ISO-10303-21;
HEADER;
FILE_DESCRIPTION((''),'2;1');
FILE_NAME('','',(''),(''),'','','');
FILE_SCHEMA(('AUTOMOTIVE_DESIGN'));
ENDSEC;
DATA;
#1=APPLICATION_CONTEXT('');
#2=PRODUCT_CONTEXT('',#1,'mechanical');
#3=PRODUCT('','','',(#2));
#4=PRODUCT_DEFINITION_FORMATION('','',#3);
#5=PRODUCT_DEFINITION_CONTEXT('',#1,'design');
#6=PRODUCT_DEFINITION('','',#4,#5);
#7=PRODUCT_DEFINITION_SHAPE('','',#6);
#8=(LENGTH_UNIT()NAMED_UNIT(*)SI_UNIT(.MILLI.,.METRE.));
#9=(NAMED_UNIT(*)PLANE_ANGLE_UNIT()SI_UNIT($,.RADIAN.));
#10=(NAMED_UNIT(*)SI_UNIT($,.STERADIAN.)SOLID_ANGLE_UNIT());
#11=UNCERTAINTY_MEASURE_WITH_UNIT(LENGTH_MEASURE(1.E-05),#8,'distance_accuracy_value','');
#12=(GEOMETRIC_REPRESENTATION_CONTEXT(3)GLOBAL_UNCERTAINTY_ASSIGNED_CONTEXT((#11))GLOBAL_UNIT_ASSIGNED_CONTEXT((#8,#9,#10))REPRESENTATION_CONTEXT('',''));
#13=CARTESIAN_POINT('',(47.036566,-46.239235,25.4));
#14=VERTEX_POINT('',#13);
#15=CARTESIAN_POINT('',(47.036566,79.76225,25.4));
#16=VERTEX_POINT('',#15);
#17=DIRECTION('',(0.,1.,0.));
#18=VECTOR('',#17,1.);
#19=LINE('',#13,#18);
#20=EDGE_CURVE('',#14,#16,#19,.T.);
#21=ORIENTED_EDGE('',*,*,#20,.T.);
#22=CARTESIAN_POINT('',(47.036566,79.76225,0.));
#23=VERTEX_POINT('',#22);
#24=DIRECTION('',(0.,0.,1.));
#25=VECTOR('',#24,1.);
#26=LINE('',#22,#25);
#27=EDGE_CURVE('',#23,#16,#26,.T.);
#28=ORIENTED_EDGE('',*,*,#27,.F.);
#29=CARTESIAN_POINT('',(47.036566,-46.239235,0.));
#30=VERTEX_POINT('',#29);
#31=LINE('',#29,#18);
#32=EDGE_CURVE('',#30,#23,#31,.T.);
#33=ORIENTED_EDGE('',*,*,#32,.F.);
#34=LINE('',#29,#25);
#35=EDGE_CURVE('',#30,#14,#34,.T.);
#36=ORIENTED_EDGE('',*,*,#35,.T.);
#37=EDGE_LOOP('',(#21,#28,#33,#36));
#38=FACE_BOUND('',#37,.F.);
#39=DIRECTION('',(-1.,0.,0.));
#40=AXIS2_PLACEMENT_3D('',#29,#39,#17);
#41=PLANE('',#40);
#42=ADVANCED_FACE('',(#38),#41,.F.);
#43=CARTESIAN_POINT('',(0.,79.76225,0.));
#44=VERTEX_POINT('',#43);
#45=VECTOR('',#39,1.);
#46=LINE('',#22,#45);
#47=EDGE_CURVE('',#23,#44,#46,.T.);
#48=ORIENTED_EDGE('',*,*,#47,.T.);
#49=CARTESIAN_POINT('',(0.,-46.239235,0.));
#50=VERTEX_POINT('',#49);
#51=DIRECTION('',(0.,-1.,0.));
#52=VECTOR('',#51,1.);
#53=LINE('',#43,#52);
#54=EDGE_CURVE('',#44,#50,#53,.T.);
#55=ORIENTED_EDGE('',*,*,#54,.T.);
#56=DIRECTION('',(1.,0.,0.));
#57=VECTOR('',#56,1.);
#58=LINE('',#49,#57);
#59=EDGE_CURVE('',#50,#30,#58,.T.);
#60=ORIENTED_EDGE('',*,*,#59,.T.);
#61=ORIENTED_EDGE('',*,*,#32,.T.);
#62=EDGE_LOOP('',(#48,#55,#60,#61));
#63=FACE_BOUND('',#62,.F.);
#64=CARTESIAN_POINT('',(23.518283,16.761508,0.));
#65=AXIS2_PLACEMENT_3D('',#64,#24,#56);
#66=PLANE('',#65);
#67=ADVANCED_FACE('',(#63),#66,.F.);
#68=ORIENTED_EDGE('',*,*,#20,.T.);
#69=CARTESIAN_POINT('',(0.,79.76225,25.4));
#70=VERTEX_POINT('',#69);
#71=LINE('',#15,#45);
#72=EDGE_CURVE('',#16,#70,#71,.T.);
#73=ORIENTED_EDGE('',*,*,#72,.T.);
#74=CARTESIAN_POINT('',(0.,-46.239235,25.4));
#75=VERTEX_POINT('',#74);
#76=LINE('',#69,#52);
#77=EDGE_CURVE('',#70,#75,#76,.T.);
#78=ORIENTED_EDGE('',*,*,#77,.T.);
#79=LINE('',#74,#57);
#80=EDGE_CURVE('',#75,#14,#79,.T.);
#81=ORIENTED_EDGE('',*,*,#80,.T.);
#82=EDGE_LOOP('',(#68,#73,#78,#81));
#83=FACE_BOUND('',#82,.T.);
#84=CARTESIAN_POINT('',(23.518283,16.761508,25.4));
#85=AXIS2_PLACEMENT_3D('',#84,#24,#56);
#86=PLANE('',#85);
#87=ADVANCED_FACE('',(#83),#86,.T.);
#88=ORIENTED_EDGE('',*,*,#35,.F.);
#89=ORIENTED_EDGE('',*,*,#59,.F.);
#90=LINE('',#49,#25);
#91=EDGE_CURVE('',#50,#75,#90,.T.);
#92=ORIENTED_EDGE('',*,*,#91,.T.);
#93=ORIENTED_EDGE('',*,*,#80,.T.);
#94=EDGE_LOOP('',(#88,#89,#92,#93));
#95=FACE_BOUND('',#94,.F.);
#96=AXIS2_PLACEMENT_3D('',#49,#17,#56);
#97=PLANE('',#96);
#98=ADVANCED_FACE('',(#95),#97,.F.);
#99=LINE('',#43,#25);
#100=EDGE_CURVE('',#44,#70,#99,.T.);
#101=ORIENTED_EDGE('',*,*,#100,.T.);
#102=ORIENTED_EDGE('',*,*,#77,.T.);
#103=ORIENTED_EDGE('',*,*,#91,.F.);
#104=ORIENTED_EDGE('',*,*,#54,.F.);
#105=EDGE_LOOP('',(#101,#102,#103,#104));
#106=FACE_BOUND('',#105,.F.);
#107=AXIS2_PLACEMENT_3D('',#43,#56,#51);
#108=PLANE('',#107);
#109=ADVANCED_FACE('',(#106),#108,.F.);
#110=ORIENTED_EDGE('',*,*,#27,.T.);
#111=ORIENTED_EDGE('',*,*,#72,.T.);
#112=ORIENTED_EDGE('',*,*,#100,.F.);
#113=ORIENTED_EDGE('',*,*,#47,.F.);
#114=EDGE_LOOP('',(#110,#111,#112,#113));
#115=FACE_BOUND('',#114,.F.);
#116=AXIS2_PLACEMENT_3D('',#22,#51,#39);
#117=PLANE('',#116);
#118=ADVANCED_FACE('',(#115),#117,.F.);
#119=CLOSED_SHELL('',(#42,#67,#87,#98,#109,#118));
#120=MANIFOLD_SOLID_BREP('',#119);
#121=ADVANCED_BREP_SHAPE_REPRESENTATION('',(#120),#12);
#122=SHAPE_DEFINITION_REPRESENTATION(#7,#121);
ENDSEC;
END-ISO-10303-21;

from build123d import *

# Parameters (mm, degrees)
F3_DEPTH = 25.4


with BuildPart() as f3:
    # F2 (on face) → F3 (new body)
    with BuildSketch(Plane.XY):
        Polygon((47.036566, 79.76225), (0, 79.76225), (0, -46.239235), (47.036566, -46.239235), (47.036566, -36.260754), align=None)
    extrude(amount=F3_DEPTH)


solid = f3.part
